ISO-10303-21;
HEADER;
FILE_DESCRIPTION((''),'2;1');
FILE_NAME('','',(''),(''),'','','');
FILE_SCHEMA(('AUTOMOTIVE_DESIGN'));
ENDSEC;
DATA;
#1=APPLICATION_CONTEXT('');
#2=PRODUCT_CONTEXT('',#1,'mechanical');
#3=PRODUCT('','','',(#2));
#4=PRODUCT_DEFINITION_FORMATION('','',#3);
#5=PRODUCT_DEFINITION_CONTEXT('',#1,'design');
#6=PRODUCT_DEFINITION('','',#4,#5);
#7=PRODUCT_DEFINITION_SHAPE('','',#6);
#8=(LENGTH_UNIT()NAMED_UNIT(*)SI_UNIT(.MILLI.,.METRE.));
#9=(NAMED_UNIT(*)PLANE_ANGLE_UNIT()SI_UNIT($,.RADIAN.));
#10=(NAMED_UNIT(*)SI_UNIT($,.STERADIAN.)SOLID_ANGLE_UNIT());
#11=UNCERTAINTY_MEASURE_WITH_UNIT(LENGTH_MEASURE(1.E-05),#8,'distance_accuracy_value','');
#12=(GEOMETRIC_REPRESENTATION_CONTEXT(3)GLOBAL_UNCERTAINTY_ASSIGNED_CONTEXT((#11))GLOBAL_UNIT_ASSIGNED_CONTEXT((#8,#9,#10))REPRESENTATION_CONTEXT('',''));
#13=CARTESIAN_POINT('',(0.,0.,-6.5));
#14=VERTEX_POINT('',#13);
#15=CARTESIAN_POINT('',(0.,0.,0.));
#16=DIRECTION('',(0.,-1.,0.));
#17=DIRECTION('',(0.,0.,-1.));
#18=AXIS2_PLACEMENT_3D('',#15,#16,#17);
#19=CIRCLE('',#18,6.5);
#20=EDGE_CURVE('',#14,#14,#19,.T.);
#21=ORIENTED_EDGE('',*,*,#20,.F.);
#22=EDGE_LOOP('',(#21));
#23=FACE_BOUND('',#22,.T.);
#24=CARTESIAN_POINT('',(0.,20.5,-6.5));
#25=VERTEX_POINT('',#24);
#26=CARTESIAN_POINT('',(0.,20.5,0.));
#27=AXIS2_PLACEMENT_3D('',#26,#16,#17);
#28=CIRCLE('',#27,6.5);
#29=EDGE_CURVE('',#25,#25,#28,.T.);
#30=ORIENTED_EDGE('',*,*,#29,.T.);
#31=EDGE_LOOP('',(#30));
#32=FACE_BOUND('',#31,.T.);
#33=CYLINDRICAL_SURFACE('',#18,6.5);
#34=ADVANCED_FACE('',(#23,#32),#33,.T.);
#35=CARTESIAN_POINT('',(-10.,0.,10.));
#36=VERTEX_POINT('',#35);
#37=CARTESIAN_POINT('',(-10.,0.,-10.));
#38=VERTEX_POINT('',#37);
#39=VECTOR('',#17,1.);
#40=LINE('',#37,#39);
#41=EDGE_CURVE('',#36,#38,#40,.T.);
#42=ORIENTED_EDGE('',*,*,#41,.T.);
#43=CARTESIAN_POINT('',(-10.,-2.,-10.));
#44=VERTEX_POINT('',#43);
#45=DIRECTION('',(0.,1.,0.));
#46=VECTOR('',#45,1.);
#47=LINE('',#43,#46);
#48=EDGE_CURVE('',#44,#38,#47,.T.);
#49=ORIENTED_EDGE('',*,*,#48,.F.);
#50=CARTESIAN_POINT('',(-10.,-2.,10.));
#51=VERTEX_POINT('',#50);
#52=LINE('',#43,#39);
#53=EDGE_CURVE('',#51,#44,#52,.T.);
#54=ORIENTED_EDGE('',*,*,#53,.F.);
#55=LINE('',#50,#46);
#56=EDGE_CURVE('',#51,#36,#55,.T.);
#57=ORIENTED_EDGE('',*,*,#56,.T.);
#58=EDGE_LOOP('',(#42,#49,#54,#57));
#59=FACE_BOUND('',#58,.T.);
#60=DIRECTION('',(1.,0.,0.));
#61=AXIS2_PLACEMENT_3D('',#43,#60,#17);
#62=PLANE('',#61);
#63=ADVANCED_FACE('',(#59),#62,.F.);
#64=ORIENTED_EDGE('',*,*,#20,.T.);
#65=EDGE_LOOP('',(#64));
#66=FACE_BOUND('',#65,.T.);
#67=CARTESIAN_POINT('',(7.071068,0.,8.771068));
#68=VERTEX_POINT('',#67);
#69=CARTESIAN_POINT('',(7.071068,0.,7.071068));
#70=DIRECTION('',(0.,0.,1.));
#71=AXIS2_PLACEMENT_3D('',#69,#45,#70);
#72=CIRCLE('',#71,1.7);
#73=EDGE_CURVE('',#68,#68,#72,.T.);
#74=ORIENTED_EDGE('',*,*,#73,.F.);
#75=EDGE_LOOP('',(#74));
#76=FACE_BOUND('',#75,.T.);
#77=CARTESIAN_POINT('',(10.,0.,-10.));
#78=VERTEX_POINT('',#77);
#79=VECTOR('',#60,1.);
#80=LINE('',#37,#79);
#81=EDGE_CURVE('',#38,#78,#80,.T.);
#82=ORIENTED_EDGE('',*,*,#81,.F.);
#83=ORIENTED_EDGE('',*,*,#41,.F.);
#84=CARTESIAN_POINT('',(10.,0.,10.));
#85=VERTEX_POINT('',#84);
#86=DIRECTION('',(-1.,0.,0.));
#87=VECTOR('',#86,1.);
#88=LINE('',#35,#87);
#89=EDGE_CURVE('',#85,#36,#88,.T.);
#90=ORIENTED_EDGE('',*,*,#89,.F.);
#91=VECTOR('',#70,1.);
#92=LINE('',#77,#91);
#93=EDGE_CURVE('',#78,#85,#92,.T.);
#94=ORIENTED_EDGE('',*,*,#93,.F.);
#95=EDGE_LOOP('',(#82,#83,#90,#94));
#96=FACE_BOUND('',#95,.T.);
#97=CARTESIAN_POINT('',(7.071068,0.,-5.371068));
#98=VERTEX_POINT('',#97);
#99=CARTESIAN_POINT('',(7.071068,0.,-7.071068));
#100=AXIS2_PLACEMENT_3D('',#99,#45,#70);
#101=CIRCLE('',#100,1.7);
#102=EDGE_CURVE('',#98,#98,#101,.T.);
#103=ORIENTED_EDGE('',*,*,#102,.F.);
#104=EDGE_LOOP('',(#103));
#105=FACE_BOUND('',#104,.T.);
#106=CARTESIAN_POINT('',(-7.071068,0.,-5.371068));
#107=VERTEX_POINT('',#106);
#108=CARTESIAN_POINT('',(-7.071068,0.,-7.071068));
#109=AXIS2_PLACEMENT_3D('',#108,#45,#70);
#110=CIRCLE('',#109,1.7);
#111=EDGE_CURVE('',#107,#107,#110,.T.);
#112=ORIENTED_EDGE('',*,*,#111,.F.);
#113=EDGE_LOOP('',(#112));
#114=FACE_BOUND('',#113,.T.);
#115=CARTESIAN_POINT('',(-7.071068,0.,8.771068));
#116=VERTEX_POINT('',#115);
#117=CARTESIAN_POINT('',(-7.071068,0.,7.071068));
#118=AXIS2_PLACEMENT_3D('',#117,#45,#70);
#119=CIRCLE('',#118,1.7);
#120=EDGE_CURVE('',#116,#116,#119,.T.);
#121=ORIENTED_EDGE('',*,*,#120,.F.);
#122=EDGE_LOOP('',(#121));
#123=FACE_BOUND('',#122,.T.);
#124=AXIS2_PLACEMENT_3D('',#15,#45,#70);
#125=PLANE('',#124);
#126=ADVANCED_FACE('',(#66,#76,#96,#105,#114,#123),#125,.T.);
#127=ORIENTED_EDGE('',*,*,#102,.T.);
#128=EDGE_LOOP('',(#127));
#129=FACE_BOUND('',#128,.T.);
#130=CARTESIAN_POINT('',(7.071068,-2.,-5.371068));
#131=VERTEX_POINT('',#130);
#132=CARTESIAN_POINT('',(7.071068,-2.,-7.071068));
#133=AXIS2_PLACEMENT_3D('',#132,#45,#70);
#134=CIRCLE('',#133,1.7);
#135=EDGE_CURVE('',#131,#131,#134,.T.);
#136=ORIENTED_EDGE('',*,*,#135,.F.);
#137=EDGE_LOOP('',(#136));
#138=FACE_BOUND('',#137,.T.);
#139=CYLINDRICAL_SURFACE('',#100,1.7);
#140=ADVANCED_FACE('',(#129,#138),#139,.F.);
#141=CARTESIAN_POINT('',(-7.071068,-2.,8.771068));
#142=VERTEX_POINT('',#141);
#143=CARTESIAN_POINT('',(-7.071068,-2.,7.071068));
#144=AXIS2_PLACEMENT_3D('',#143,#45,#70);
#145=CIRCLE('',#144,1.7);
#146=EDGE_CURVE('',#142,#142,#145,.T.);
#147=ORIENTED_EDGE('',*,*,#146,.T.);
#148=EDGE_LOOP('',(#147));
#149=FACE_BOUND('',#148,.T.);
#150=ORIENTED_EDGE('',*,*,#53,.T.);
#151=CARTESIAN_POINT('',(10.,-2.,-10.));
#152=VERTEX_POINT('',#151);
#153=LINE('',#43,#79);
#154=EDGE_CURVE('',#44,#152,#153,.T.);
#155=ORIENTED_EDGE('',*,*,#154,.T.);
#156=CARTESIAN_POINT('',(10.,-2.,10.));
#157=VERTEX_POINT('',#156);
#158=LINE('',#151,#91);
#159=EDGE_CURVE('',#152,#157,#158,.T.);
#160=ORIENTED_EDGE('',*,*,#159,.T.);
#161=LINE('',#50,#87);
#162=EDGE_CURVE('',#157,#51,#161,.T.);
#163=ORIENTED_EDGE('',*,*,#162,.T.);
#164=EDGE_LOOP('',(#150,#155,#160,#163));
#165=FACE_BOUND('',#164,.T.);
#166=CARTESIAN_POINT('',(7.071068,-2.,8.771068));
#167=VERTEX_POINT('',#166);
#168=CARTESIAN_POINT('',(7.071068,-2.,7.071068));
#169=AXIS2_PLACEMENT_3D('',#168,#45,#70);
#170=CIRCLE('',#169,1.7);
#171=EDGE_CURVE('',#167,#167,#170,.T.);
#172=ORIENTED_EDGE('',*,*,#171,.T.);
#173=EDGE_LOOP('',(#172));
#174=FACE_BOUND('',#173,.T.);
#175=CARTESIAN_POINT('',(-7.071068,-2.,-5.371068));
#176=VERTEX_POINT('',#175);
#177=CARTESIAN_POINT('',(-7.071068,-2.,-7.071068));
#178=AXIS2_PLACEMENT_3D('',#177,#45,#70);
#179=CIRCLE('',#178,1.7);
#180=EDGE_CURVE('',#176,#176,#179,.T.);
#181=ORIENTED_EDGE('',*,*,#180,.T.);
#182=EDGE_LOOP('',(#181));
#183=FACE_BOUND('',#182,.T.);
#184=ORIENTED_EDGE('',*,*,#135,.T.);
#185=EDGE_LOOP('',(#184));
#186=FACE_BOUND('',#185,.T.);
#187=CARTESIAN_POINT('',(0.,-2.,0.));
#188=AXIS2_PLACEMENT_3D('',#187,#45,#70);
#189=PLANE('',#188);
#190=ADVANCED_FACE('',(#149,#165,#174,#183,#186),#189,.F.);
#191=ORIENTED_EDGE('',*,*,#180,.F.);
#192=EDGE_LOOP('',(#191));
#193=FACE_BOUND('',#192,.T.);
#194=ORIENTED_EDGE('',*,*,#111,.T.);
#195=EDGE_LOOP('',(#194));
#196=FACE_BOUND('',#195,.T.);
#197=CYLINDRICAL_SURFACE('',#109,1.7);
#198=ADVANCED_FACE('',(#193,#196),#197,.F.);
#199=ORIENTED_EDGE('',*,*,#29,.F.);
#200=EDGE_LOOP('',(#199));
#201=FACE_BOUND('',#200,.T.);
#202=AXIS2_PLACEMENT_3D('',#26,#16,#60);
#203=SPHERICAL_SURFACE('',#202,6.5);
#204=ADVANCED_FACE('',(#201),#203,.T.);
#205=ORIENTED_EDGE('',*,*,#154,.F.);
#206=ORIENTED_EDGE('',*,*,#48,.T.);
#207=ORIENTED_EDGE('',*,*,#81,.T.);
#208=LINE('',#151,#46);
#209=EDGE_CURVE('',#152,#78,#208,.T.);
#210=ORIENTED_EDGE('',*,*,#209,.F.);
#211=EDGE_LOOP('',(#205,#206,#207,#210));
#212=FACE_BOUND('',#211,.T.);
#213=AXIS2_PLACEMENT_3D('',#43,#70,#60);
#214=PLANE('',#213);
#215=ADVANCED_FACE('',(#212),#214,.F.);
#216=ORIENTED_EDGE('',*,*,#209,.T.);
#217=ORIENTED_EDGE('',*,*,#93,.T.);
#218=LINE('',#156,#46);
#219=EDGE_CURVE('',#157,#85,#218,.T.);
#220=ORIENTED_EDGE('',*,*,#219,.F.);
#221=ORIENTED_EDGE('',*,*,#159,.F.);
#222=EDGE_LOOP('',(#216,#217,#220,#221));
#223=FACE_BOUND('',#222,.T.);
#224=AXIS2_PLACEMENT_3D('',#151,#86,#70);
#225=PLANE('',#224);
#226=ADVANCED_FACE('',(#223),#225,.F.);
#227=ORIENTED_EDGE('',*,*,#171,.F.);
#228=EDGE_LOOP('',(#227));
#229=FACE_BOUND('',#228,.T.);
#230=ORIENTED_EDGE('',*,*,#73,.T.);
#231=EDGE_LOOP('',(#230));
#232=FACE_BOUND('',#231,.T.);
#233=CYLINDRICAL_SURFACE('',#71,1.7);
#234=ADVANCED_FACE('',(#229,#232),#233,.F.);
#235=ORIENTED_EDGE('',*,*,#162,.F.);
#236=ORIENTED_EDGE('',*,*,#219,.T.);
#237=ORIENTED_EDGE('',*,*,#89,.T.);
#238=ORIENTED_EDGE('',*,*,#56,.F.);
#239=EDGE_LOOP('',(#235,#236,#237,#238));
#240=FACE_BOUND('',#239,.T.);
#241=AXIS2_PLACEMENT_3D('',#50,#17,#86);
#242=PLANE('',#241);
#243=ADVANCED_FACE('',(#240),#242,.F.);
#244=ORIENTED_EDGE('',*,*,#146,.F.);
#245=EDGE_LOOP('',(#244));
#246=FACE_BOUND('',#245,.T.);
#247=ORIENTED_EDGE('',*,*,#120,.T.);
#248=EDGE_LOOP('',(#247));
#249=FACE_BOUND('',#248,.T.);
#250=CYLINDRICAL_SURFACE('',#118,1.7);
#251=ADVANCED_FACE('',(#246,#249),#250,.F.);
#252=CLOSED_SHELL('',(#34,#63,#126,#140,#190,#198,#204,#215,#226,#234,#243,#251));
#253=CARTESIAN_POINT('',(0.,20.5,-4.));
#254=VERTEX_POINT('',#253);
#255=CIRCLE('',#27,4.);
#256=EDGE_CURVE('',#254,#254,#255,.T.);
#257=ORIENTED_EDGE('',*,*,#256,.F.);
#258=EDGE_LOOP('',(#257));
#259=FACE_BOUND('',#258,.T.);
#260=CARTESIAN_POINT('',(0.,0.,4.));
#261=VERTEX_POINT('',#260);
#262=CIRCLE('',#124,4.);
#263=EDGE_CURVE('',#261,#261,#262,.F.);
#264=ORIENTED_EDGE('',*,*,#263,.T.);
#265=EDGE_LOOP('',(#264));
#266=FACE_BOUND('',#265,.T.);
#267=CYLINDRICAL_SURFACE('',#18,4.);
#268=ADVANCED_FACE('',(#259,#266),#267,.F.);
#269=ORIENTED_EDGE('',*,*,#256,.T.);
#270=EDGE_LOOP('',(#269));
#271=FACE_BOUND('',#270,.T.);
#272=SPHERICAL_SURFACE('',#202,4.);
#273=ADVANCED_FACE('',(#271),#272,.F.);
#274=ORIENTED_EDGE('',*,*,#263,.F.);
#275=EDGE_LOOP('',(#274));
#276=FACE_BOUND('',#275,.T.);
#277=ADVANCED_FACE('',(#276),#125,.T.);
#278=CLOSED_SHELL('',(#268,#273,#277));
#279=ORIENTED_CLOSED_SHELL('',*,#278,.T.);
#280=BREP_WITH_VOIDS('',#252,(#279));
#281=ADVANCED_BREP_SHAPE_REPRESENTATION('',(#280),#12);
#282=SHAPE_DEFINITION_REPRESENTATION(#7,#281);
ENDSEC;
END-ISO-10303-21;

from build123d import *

# Parameters (mm, degrees)
ESQUISSE3_W          = 20
ESQUISSE3_H          = 20
BOSS_EXTRU_1_DEPTH   = 2
D_GAGEMENT_M31_D     = 3.4
D_GAGEMENT_M31_DEPTH = 3
D_GAGEMENT_M31_TIP   = 1.021463052


with BuildPart() as part:
    # Esquisse2 → Révolution3 (revolve)
    with BuildSketch(Plane.XY):
        with BuildLine():
            Line((4, 0), (6.5, 0))
            Line((6.5, 0), (6.5, 20.5))
            ThreePointArc((6.5, 20.5), (4.596194078, 25.096194078), (0, 27))
            Line((0, 27), (0, 25.944271904))
            Line((0, 25.944271904), (0, 24.5))
            ThreePointArc((0, 24.5), (2.828427125, 23.328427125), (4, 20.5))
            Line((4, 20.5), (4, 0))
        make_face()
    revolve(axis=Axis((0, 0, 0), (0, 1, 0)))

    # Esquisse3 → Boss.-Extru.1 (add)
    with BuildSketch(Plane.XZ):
        Rectangle(ESQUISSE3_W, ESQUISSE3_H)
    extrude(amount=BOSS_EXTRU_1_DEPTH)

    # Dégagement M31
    with Locations(Plane(origin=(0, 0, 0), x_dir=(1, 0, 0), z_dir=(0, 1, 0))):
        with Locations((-7.071067812, 7.071067812), (7.071067812, 7.071067812), (7.071067812, -7.071067812), (-7.071067812, -7.071067812)):
            Hole(D_GAGEMENT_M31_D / 2, depth=D_GAGEMENT_M31_DEPTH)
            with Locations((0, 0, -(D_GAGEMENT_M31_DEPTH + D_GAGEMENT_M31_TIP / 2))):  # 118° drill point
                Cone(0, D_GAGEMENT_M31_D / 2, D_GAGEMENT_M31_TIP, mode=Mode.SUBTRACT)


solid = part.part
